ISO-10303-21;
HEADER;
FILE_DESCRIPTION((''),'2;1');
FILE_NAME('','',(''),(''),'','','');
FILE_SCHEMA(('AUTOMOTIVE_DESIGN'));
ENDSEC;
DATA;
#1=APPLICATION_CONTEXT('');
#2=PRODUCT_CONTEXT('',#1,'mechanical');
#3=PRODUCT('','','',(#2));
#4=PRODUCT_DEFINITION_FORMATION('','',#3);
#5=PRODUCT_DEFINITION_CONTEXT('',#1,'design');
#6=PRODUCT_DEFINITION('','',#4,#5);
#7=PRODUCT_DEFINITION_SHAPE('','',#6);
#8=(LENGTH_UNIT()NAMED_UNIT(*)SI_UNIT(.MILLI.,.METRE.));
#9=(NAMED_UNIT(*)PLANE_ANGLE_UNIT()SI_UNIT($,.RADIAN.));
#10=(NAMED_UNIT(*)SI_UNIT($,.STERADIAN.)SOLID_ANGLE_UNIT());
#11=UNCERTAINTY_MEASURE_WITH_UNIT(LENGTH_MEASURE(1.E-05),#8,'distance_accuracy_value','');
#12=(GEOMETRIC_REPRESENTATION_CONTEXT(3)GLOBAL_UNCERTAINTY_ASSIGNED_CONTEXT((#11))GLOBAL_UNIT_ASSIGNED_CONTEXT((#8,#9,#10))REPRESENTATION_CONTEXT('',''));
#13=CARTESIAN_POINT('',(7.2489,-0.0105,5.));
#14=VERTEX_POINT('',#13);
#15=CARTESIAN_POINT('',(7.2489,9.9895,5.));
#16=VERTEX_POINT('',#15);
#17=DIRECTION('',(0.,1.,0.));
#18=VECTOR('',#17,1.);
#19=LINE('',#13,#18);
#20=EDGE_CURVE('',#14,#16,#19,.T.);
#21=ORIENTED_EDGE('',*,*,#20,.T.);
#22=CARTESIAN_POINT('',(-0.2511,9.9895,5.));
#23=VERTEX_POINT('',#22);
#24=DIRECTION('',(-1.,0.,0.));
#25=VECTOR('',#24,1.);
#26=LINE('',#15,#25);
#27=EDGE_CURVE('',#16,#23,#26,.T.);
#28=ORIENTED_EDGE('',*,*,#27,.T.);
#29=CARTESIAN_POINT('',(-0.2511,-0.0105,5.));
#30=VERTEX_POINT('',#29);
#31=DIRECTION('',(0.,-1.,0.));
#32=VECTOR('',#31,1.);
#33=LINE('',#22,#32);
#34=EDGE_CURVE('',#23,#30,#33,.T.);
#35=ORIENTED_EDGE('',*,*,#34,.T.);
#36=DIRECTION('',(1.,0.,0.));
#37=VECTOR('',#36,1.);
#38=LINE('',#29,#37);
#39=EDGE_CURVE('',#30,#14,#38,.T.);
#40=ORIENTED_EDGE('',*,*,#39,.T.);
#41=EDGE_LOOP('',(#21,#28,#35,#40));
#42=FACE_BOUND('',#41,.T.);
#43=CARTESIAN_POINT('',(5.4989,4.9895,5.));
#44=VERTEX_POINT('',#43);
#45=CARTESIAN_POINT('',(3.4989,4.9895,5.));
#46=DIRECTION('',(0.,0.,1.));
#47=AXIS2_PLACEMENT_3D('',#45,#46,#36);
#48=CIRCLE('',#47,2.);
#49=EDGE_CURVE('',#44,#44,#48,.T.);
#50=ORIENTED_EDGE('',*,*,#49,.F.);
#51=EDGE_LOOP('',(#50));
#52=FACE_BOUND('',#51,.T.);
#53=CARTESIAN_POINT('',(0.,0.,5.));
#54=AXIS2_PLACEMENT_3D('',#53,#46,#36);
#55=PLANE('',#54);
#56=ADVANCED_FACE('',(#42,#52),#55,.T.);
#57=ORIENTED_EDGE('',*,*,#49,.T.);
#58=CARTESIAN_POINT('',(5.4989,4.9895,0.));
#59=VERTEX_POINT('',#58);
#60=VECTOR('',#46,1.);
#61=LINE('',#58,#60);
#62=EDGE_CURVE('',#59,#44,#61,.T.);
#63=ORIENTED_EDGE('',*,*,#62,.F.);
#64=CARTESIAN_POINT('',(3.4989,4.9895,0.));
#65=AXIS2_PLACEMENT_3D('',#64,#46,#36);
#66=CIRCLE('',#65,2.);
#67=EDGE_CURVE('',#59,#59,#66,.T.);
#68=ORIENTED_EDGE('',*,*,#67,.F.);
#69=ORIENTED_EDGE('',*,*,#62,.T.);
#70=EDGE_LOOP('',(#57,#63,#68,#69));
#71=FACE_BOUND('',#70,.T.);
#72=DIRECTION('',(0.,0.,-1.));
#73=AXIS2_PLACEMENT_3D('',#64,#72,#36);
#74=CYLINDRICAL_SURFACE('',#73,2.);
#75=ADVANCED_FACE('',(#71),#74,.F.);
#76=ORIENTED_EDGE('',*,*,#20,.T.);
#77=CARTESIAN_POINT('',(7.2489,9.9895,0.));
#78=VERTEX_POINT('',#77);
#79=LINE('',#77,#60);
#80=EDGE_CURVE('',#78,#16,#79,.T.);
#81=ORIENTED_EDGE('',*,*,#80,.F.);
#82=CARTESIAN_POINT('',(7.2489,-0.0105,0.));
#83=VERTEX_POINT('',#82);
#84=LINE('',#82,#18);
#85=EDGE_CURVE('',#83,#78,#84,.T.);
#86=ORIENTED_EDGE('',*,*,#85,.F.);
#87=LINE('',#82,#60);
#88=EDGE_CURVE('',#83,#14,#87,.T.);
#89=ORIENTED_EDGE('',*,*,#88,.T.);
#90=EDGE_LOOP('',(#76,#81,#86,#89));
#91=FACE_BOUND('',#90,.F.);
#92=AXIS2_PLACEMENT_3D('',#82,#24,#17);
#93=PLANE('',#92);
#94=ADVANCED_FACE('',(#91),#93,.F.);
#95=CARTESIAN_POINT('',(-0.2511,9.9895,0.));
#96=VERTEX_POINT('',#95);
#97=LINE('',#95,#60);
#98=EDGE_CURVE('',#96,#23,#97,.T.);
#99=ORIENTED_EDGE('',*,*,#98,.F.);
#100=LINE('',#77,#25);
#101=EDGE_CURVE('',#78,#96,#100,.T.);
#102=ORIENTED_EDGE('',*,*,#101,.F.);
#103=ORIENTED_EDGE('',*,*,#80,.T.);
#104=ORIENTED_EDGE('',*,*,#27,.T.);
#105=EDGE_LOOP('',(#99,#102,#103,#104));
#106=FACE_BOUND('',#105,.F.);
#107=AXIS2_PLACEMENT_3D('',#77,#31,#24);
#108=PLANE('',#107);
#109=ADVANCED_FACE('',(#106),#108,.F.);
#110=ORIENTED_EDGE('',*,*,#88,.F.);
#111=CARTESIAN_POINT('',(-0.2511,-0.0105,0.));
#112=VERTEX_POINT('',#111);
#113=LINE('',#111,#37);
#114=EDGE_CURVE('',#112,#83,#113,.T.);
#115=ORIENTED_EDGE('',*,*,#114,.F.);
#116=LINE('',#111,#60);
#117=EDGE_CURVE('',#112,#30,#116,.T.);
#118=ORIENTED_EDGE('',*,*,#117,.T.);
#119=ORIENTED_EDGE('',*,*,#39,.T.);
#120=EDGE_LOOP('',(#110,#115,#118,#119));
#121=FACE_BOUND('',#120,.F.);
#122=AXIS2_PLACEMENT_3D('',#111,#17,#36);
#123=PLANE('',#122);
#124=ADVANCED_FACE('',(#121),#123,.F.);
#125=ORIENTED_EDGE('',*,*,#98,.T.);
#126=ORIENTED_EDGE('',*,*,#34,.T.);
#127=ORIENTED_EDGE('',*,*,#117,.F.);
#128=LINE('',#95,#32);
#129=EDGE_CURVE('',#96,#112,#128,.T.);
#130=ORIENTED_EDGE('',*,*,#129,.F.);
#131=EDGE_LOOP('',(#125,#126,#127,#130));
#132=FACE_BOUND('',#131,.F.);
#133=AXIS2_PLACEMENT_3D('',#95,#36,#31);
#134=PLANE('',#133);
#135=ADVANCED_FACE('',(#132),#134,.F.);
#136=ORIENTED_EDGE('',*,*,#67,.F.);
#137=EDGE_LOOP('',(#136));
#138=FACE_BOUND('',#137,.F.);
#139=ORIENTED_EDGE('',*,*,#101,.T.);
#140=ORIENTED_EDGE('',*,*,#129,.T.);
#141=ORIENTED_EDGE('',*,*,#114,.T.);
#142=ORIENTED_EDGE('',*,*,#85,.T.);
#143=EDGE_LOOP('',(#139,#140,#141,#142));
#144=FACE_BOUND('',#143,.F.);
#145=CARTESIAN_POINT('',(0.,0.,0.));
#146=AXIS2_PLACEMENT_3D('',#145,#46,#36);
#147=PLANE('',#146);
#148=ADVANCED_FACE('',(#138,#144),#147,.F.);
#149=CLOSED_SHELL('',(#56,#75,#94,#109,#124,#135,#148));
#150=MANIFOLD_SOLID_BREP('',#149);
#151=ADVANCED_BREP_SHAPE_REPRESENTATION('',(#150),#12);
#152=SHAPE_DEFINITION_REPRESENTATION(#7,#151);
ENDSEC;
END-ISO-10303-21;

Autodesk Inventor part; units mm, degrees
ref_plane "YZ Plane" through (0, 0, 0) normal (1, 0, 0) x (0, 1, 0)
ref_plane "XZ Plane" through (0, 0, 0) normal (0, 1, 0) x (-1, 0, 0)
ref_plane "XY Plane" through (0, 0, 0) normal (0, 0, 1) x (1, 0, 0)
sketch "Sketch1" plane through (0, 0, 0) normal (0, 0, 1) x (1, 0, 0)
  line L0 (-0.2511, -0.0105) -> (7.2489, -0.0105)
  line L1 (7.2489, -0.0105) -> (7.2489, 9.9895)
  line L2 (7.2489, 9.9895) -> (-0.2511, 9.9895)
  line L3 (-0.2511, 9.9895) -> (-0.2511, -0.0105)
  circle A0 centre (3.4989, 4.9895) radius 2
  point P0 (7.2471, -0.0105)
  dimension "d2" = 4
  dimension "d3" = 5
  dimension "d4" = 7.5
  dimension "d5" = 10
  dimension "d6" = 3.75
extrude "Extrusion1" add sketch "Sketch1" along normal blind 5
properties part number "short back plate spacer" material "ABS Plastic"
